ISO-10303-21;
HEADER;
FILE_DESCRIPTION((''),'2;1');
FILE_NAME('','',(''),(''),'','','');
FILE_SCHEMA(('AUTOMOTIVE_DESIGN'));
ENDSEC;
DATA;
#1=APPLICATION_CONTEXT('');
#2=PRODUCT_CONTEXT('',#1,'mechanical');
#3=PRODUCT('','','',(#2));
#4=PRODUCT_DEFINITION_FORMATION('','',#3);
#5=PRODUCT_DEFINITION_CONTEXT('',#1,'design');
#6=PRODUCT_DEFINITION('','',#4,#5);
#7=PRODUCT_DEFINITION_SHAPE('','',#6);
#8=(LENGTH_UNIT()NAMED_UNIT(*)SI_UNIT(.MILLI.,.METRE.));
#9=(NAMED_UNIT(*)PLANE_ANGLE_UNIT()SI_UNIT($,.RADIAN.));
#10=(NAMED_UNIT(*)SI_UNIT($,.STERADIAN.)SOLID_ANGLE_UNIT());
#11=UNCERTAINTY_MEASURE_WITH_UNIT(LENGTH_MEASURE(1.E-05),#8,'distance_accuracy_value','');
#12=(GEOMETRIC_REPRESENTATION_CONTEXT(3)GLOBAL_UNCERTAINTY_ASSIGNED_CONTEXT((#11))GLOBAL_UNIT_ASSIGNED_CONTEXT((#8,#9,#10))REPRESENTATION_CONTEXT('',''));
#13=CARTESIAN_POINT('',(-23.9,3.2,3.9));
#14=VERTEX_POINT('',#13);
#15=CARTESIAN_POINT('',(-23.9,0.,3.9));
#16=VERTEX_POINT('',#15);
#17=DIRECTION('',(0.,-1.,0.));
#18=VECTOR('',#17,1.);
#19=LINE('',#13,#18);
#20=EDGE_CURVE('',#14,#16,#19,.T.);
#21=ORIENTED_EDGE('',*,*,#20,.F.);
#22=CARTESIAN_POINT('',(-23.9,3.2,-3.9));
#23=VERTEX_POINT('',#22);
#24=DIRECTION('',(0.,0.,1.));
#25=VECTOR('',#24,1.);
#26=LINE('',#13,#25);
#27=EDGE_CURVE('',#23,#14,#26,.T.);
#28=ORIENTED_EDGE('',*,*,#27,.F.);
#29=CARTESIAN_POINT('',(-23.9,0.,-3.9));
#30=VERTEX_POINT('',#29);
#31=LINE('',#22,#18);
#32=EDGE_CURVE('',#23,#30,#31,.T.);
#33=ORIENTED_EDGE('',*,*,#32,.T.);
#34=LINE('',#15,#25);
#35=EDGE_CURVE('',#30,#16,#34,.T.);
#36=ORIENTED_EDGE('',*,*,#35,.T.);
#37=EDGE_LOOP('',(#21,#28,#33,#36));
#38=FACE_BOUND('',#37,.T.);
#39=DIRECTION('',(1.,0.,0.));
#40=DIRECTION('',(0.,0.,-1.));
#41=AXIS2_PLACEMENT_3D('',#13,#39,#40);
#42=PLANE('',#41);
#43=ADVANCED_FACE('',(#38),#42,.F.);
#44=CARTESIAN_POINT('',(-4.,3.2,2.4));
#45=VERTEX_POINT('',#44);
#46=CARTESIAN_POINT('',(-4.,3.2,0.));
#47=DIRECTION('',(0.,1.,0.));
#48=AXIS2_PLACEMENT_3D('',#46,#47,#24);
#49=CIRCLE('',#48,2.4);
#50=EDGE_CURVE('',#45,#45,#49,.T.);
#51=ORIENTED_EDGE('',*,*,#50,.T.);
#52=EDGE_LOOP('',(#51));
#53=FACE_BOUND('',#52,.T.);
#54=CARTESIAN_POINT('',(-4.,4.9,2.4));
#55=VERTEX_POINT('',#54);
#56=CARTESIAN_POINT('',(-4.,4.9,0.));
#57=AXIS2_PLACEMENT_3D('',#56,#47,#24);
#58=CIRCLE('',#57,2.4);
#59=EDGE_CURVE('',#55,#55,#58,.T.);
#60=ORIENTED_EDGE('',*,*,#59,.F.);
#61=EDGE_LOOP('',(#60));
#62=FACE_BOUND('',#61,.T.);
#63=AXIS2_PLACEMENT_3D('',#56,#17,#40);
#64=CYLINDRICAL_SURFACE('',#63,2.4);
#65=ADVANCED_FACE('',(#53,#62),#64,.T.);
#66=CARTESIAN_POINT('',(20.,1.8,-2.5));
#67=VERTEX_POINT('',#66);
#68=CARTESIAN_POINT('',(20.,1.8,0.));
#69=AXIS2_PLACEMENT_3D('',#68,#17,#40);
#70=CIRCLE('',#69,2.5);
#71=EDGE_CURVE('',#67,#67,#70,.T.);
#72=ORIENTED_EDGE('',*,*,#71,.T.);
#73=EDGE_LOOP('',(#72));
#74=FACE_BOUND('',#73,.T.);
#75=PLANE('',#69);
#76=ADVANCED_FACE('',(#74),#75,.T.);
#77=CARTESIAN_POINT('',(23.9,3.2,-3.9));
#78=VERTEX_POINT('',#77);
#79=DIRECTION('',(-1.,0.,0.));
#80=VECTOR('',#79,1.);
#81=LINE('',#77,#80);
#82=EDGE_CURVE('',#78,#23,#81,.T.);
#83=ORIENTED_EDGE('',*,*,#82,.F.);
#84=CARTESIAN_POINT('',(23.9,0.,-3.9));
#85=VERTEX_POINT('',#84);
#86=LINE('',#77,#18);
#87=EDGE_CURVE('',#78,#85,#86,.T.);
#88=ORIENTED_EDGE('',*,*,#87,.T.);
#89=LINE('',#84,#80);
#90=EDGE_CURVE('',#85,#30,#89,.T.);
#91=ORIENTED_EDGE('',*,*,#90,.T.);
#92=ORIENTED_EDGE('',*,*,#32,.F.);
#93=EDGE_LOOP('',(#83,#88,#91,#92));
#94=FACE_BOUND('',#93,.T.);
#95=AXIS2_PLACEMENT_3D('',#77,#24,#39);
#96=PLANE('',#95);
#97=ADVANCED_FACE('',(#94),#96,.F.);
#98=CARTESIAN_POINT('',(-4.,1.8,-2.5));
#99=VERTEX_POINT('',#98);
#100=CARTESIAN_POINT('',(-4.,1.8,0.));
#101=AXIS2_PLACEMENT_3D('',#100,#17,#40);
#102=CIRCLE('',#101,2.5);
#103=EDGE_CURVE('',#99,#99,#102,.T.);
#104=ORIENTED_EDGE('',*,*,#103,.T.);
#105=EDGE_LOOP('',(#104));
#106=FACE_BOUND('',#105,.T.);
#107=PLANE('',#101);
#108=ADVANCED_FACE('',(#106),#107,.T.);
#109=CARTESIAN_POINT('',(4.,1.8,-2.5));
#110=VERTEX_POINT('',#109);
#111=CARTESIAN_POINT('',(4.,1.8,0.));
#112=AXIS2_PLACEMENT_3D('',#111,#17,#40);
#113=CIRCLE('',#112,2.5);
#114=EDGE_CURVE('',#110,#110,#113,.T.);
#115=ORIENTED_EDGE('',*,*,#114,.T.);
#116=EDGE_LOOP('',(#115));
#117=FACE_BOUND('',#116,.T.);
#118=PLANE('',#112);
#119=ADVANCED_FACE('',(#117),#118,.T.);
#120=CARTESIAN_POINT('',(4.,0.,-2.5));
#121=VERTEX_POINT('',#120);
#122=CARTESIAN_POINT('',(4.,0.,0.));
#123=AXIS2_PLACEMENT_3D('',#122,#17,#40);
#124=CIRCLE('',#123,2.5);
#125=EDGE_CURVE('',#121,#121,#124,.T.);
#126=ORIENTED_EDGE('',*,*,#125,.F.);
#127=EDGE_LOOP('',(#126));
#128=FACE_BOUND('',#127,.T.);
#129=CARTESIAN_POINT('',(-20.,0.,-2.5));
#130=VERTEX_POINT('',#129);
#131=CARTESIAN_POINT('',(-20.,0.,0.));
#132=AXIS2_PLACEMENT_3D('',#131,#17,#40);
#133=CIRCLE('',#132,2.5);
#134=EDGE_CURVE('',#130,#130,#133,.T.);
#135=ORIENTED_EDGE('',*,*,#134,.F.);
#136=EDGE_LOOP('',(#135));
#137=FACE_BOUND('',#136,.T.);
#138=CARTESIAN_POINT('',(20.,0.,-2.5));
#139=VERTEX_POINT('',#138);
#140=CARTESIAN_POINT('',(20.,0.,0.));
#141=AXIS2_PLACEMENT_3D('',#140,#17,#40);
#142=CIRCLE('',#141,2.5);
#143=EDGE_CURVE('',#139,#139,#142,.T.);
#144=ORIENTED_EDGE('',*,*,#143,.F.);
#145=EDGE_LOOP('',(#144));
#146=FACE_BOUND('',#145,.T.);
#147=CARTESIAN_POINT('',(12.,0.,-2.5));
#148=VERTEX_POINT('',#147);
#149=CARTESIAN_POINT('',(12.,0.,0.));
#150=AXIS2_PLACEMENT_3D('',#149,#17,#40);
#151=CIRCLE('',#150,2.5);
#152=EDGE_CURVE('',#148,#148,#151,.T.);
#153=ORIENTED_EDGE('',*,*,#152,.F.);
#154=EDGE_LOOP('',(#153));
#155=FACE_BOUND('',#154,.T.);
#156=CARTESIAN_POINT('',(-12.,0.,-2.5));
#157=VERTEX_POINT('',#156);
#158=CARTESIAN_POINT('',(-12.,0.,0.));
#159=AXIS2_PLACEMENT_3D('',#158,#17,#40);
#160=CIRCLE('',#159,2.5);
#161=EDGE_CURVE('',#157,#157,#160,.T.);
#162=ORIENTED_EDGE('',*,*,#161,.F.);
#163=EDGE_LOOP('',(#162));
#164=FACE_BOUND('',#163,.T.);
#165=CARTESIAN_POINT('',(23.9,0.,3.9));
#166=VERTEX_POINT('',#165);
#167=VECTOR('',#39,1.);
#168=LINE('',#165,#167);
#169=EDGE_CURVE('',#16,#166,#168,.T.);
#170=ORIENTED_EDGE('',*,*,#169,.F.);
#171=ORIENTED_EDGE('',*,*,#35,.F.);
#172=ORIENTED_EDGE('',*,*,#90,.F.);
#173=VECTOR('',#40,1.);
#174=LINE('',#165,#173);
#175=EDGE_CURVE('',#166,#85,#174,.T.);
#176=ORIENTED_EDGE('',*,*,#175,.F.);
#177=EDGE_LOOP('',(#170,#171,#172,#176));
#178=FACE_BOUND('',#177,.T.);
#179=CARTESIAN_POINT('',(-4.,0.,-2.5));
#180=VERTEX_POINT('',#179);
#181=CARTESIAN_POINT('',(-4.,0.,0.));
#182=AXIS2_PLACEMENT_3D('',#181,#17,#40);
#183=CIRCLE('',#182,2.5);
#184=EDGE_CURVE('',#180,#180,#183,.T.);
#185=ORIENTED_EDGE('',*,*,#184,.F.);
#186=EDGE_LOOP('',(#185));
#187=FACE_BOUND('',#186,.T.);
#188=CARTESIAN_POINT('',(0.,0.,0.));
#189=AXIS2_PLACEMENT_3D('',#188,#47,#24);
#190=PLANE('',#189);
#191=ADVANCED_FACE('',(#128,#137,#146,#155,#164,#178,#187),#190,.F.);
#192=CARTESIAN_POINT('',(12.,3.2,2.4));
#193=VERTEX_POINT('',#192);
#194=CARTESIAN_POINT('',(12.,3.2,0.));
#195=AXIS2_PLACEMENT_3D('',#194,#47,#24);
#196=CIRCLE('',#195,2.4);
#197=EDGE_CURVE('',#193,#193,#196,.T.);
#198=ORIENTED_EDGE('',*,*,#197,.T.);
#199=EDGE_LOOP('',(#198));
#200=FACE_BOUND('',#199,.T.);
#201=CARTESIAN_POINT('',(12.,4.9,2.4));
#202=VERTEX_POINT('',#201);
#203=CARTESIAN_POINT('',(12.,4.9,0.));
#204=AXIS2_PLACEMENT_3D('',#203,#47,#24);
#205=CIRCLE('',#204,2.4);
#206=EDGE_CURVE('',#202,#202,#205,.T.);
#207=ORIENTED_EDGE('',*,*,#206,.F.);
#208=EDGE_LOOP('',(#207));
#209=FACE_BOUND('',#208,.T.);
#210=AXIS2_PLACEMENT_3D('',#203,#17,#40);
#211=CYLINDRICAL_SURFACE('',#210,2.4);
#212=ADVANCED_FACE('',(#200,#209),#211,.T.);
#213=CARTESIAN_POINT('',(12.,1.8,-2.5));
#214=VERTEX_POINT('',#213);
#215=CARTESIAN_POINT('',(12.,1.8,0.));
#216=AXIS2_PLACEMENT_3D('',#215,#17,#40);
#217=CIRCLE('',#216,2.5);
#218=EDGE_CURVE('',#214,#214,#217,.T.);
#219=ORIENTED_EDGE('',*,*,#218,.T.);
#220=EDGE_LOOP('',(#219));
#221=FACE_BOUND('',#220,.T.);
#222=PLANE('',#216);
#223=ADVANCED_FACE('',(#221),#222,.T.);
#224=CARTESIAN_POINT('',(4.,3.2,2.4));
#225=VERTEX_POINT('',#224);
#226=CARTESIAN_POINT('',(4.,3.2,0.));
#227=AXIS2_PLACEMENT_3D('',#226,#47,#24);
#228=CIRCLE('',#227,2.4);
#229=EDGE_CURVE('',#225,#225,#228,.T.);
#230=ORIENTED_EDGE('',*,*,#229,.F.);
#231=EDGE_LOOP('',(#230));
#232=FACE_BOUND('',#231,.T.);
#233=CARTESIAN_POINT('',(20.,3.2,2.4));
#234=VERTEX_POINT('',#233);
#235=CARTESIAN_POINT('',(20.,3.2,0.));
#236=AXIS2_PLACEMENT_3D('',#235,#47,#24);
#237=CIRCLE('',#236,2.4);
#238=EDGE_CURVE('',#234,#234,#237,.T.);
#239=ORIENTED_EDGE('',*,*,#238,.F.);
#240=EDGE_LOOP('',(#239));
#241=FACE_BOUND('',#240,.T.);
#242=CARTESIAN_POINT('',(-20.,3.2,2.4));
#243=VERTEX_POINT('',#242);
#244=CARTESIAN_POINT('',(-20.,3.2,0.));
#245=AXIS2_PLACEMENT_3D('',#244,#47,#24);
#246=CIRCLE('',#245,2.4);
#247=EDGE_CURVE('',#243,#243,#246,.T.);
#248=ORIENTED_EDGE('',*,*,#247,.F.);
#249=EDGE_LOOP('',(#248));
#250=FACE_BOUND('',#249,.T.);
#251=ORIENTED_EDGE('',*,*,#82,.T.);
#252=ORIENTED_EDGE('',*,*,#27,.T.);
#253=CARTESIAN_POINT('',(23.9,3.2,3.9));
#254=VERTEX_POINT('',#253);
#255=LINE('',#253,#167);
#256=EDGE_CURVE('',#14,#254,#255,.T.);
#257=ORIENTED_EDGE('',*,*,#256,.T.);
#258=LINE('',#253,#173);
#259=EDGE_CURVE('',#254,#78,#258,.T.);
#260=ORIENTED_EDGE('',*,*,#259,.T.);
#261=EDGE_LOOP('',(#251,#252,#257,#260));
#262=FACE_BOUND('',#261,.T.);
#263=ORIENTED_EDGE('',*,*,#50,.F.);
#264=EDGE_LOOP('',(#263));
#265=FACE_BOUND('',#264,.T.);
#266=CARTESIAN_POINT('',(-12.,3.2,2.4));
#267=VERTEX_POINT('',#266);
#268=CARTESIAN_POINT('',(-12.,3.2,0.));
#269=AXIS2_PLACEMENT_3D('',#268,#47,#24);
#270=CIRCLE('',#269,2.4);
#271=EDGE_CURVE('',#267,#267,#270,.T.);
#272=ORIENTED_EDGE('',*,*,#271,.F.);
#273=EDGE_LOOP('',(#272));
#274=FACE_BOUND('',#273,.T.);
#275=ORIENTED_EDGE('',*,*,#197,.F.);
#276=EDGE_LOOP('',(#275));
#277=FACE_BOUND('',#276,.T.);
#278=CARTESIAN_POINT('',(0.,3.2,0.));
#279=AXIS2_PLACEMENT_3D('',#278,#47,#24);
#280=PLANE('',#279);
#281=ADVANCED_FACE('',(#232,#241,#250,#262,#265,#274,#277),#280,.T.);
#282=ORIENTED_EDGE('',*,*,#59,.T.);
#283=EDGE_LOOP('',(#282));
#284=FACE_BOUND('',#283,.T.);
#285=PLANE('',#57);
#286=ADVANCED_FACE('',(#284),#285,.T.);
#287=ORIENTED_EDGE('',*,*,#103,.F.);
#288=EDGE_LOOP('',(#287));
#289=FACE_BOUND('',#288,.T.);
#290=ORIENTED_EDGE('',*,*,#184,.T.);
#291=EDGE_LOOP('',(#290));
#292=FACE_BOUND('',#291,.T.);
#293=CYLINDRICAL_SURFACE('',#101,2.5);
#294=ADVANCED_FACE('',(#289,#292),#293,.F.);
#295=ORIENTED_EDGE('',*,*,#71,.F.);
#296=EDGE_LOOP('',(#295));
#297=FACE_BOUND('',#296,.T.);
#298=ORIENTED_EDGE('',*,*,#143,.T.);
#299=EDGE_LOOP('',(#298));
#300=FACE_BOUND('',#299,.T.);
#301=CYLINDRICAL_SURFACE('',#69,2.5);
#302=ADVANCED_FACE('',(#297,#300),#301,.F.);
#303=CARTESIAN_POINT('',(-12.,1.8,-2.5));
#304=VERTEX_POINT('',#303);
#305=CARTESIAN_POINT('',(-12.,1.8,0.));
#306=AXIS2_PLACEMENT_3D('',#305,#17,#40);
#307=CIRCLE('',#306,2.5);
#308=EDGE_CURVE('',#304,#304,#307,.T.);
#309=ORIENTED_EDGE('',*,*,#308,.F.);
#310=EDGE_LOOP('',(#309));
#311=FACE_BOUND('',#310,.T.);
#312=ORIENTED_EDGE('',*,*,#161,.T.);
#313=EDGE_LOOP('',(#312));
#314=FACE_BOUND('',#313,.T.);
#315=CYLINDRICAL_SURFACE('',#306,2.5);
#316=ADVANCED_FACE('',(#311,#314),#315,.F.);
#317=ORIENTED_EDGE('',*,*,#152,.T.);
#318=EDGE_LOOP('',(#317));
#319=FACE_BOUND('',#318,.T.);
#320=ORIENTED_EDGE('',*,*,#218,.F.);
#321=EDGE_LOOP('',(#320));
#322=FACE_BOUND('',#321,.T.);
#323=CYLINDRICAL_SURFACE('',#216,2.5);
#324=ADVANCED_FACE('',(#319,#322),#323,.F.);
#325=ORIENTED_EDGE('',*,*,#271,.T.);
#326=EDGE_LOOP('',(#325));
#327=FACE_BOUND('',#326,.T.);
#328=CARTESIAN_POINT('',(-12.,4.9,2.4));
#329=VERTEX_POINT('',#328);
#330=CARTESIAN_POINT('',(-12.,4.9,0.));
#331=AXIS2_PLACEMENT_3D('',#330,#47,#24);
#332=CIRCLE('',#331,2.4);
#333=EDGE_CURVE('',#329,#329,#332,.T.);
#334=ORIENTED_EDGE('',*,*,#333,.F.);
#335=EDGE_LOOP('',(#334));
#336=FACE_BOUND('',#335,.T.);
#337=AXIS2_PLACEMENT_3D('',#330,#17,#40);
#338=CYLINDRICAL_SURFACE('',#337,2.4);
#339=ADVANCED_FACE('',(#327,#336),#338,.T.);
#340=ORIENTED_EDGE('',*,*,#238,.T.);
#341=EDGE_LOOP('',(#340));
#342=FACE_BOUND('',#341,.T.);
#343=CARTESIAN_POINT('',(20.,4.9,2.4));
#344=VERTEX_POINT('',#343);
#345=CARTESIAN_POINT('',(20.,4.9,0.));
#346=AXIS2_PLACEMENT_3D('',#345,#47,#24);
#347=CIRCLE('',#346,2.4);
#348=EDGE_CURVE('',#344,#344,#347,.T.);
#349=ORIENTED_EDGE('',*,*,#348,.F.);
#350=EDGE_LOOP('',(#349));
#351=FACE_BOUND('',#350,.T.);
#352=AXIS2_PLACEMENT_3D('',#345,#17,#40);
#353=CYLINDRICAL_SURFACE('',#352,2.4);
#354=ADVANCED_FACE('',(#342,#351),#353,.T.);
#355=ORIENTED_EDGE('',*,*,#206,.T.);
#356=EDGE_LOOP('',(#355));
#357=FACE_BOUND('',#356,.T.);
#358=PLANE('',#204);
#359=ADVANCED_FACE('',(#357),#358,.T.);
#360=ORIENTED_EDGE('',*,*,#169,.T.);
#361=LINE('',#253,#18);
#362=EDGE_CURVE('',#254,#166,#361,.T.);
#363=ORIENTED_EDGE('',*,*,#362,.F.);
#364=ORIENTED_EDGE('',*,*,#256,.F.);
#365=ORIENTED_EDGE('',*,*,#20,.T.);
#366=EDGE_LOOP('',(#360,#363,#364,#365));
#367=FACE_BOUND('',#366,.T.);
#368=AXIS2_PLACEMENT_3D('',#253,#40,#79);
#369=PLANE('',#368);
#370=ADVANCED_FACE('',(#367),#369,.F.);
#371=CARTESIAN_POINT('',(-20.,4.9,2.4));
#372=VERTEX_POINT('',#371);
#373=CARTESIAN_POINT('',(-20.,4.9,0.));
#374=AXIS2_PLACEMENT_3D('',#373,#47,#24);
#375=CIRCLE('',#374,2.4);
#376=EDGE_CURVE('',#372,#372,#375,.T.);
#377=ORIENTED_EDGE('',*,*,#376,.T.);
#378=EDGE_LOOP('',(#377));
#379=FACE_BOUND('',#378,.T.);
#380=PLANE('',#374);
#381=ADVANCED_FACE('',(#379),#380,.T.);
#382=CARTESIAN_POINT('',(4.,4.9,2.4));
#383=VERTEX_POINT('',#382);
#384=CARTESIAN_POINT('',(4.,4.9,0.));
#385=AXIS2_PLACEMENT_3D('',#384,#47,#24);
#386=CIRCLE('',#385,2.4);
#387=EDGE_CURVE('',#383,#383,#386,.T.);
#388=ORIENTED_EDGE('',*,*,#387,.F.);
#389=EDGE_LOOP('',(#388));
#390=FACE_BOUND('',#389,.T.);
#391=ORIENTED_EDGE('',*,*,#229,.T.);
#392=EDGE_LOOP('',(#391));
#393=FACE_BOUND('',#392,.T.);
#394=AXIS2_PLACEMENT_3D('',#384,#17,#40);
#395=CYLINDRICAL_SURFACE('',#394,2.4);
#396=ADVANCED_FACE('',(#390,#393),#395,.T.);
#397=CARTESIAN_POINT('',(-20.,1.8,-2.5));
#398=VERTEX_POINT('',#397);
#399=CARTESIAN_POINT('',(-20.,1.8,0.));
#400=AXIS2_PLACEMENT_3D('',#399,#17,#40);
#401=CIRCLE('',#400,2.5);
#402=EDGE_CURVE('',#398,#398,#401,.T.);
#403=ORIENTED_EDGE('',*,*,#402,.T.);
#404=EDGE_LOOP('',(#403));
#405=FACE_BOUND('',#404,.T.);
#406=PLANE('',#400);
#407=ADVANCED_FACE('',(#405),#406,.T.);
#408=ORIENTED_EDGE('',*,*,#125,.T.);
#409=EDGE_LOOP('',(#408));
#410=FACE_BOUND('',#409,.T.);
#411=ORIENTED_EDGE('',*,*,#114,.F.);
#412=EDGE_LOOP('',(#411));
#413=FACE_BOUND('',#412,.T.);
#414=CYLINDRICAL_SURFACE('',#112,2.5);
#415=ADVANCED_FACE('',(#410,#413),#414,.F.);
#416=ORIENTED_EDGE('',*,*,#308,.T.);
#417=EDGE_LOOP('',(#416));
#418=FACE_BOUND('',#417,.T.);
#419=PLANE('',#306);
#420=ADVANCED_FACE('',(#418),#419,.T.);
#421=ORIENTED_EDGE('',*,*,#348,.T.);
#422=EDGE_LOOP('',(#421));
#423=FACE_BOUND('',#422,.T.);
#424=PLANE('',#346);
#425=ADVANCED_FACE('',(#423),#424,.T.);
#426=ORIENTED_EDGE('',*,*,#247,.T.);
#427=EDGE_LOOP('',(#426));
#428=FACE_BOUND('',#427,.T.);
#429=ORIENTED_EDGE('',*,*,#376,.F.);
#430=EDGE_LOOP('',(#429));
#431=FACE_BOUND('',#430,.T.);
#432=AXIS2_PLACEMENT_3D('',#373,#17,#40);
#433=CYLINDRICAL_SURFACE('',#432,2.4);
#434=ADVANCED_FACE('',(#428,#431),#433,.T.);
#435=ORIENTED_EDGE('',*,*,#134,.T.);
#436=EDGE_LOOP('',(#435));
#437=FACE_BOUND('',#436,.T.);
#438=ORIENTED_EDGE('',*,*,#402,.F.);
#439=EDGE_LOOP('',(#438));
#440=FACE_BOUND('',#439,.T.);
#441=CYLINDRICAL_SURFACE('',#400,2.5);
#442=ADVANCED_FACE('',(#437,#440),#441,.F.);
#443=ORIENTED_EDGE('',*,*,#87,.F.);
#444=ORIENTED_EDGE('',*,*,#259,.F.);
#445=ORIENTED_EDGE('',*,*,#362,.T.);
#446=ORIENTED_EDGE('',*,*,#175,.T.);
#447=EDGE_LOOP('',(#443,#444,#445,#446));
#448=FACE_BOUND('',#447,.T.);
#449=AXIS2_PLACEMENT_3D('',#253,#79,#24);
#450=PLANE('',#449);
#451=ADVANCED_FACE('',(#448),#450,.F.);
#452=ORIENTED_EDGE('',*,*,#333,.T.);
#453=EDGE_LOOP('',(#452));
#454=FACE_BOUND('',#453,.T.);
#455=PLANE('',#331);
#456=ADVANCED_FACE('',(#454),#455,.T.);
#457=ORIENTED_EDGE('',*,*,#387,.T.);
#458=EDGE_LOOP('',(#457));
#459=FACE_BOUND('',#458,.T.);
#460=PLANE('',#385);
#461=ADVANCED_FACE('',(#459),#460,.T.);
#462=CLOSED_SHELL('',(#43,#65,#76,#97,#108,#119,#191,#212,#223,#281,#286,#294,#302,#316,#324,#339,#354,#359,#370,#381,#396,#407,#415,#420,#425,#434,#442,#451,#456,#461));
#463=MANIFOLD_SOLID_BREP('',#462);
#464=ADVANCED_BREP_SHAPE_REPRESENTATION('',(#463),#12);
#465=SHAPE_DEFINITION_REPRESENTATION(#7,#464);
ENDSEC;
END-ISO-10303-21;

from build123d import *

# Parameters (mm, degrees)
SKETCH_1_W          = 47.8
SKETCH_1_H          = 7.8
EXTRUDE_1_DEPTH     = 3.2
SKETCH_2_R          = 2.4
EXTRUDE_2_DEPTH     = 1.7
SKETCH_3_R          = 2.5
CUT_EXTRUDE_1_DEPTH = 1.8


with BuildPart() as part:
    # Эскиз1 → Бобышка-Вытянуть1 (new body)
    with BuildSketch(Plane(origin=(0, 0, 0), x_dir=(1, 0, 0), z_dir=(0, 1, 0))):
        Rectangle(SKETCH_1_W, SKETCH_1_H)
    extrude(amount=EXTRUDE_1_DEPTH)

    # Эскиз2 → Бобышка-Вытянуть2 (add)
    with BuildSketch(Plane(origin=(0, 3.2, 0), x_dir=(1, 0, 0), z_dir=(0, 1, 0))):
        with Locations(Location((-20, 0, 0), (0, 0, 270))):
            Circle(SKETCH_2_R)
        with Locations(Location((-12, 0, 0), (0, 0, 270))):
            Circle(SKETCH_2_R)
        with Locations(Location((-4, 0, 0), (0, 0, 270))):
            Circle(SKETCH_2_R)
        with Locations(Location((4, 0, 0), (0, 0, 270))):
            Circle(SKETCH_2_R)
        with Locations(Location((12, 0, 0), (0, 0, 270))):
            Circle(SKETCH_2_R)
        with Locations(Location((20, 0, 0), (0, 0, 270))):
            Circle(SKETCH_2_R)
    extrude(amount=EXTRUDE_2_DEPTH)

    # Эскиз3 → Вырез-Вытянуть1 (cut)
    with BuildSketch(Plane.XZ):
        with Locations(Location((-20, 0, 0), (0, 0, 270))):
            Circle(SKETCH_3_R)
        with Locations(Location((-12, 0, 0), (0, 0, 270))):
            Circle(SKETCH_3_R)
        with Locations(Location((-4, 0, 0), (0, 0, 270))):
            Circle(SKETCH_3_R)
        with Locations(Location((4, 0, 0), (0, 0, 270))):
            Circle(SKETCH_3_R)
        with Locations(Location((12, 0, 0), (0, 0, 270))):
            Circle(SKETCH_3_R)
        with Locations(Location((20, 0, 0), (0, 0, 270))):
            Circle(SKETCH_3_R)
    extrude(amount=-CUT_EXTRUDE_1_DEPTH, mode=Mode.SUBTRACT)


solid = part.part
